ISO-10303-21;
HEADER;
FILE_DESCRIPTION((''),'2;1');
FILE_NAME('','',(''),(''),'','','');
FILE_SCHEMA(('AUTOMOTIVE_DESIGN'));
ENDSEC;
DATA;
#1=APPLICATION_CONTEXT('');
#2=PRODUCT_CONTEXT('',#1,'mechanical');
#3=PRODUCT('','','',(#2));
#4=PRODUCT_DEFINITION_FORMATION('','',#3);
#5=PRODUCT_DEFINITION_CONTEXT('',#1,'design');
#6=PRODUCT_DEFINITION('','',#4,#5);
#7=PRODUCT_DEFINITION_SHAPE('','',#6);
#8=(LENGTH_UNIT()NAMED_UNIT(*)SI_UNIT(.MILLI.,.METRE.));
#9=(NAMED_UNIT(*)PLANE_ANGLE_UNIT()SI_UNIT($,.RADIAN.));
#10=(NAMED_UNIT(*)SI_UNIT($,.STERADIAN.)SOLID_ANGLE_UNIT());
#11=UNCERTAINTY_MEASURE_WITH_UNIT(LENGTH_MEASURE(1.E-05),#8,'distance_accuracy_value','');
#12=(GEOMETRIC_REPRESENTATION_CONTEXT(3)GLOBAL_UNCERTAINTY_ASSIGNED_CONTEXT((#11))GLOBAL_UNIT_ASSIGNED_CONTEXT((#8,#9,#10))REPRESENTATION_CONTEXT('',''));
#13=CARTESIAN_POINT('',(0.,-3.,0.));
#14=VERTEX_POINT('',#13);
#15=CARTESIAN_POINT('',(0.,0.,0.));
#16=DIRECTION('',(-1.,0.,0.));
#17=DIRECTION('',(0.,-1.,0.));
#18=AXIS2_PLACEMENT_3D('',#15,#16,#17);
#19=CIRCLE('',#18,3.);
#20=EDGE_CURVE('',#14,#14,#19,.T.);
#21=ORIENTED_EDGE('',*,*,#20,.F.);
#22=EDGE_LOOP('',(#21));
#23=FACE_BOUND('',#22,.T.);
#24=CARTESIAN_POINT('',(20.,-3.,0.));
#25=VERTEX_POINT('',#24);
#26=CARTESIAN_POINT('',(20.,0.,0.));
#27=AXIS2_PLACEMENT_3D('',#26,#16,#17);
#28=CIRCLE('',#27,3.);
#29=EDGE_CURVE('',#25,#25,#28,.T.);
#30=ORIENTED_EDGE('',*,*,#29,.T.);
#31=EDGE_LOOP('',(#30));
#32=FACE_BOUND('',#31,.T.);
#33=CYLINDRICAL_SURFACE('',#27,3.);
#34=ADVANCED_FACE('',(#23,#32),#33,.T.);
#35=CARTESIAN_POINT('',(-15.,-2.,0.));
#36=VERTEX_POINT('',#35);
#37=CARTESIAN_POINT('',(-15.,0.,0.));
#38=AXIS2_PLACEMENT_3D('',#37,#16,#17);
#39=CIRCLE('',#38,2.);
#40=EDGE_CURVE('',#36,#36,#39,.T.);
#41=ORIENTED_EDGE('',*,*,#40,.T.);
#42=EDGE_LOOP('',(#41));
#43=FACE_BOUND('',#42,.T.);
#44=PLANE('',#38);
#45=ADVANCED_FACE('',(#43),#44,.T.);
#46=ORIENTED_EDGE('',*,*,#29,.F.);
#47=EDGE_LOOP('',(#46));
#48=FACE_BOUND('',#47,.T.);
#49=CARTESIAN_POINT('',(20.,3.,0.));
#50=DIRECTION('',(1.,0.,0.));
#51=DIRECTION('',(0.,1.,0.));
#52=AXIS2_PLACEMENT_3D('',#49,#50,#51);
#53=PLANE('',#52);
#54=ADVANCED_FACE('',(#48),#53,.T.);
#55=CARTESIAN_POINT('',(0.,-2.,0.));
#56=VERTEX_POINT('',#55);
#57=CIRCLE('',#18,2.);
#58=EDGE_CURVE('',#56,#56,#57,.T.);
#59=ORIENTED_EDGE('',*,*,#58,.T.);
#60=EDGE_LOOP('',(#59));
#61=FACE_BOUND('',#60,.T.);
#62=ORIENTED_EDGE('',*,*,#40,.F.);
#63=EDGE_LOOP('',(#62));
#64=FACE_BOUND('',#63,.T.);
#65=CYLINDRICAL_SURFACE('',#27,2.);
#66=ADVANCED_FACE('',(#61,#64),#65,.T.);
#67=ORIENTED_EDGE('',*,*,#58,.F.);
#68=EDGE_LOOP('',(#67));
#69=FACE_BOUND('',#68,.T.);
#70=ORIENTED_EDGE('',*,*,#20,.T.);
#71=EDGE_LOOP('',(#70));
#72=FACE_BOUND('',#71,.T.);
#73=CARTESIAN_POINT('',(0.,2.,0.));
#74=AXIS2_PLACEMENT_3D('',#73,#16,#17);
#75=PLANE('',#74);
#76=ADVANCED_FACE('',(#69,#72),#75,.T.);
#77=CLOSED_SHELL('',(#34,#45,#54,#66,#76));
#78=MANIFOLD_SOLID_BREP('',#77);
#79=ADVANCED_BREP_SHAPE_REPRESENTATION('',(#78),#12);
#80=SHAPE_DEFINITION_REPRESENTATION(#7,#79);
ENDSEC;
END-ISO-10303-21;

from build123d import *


with BuildPart() as part:
    # Sketch1 → Revolve1 (revolve)
    with BuildSketch(Plane(origin=(0, 0, 0), x_dir=(-1, 0, 0), z_dir=(0, 0, -1))):
        Polygon((-20, 3), (-20, 0), (15, 0), (15, 2), (0, 2), (0, 3), align=None)
    revolve(axis=Axis((20, 0, 0), (-1, 0, 0)))


solid = part.part
